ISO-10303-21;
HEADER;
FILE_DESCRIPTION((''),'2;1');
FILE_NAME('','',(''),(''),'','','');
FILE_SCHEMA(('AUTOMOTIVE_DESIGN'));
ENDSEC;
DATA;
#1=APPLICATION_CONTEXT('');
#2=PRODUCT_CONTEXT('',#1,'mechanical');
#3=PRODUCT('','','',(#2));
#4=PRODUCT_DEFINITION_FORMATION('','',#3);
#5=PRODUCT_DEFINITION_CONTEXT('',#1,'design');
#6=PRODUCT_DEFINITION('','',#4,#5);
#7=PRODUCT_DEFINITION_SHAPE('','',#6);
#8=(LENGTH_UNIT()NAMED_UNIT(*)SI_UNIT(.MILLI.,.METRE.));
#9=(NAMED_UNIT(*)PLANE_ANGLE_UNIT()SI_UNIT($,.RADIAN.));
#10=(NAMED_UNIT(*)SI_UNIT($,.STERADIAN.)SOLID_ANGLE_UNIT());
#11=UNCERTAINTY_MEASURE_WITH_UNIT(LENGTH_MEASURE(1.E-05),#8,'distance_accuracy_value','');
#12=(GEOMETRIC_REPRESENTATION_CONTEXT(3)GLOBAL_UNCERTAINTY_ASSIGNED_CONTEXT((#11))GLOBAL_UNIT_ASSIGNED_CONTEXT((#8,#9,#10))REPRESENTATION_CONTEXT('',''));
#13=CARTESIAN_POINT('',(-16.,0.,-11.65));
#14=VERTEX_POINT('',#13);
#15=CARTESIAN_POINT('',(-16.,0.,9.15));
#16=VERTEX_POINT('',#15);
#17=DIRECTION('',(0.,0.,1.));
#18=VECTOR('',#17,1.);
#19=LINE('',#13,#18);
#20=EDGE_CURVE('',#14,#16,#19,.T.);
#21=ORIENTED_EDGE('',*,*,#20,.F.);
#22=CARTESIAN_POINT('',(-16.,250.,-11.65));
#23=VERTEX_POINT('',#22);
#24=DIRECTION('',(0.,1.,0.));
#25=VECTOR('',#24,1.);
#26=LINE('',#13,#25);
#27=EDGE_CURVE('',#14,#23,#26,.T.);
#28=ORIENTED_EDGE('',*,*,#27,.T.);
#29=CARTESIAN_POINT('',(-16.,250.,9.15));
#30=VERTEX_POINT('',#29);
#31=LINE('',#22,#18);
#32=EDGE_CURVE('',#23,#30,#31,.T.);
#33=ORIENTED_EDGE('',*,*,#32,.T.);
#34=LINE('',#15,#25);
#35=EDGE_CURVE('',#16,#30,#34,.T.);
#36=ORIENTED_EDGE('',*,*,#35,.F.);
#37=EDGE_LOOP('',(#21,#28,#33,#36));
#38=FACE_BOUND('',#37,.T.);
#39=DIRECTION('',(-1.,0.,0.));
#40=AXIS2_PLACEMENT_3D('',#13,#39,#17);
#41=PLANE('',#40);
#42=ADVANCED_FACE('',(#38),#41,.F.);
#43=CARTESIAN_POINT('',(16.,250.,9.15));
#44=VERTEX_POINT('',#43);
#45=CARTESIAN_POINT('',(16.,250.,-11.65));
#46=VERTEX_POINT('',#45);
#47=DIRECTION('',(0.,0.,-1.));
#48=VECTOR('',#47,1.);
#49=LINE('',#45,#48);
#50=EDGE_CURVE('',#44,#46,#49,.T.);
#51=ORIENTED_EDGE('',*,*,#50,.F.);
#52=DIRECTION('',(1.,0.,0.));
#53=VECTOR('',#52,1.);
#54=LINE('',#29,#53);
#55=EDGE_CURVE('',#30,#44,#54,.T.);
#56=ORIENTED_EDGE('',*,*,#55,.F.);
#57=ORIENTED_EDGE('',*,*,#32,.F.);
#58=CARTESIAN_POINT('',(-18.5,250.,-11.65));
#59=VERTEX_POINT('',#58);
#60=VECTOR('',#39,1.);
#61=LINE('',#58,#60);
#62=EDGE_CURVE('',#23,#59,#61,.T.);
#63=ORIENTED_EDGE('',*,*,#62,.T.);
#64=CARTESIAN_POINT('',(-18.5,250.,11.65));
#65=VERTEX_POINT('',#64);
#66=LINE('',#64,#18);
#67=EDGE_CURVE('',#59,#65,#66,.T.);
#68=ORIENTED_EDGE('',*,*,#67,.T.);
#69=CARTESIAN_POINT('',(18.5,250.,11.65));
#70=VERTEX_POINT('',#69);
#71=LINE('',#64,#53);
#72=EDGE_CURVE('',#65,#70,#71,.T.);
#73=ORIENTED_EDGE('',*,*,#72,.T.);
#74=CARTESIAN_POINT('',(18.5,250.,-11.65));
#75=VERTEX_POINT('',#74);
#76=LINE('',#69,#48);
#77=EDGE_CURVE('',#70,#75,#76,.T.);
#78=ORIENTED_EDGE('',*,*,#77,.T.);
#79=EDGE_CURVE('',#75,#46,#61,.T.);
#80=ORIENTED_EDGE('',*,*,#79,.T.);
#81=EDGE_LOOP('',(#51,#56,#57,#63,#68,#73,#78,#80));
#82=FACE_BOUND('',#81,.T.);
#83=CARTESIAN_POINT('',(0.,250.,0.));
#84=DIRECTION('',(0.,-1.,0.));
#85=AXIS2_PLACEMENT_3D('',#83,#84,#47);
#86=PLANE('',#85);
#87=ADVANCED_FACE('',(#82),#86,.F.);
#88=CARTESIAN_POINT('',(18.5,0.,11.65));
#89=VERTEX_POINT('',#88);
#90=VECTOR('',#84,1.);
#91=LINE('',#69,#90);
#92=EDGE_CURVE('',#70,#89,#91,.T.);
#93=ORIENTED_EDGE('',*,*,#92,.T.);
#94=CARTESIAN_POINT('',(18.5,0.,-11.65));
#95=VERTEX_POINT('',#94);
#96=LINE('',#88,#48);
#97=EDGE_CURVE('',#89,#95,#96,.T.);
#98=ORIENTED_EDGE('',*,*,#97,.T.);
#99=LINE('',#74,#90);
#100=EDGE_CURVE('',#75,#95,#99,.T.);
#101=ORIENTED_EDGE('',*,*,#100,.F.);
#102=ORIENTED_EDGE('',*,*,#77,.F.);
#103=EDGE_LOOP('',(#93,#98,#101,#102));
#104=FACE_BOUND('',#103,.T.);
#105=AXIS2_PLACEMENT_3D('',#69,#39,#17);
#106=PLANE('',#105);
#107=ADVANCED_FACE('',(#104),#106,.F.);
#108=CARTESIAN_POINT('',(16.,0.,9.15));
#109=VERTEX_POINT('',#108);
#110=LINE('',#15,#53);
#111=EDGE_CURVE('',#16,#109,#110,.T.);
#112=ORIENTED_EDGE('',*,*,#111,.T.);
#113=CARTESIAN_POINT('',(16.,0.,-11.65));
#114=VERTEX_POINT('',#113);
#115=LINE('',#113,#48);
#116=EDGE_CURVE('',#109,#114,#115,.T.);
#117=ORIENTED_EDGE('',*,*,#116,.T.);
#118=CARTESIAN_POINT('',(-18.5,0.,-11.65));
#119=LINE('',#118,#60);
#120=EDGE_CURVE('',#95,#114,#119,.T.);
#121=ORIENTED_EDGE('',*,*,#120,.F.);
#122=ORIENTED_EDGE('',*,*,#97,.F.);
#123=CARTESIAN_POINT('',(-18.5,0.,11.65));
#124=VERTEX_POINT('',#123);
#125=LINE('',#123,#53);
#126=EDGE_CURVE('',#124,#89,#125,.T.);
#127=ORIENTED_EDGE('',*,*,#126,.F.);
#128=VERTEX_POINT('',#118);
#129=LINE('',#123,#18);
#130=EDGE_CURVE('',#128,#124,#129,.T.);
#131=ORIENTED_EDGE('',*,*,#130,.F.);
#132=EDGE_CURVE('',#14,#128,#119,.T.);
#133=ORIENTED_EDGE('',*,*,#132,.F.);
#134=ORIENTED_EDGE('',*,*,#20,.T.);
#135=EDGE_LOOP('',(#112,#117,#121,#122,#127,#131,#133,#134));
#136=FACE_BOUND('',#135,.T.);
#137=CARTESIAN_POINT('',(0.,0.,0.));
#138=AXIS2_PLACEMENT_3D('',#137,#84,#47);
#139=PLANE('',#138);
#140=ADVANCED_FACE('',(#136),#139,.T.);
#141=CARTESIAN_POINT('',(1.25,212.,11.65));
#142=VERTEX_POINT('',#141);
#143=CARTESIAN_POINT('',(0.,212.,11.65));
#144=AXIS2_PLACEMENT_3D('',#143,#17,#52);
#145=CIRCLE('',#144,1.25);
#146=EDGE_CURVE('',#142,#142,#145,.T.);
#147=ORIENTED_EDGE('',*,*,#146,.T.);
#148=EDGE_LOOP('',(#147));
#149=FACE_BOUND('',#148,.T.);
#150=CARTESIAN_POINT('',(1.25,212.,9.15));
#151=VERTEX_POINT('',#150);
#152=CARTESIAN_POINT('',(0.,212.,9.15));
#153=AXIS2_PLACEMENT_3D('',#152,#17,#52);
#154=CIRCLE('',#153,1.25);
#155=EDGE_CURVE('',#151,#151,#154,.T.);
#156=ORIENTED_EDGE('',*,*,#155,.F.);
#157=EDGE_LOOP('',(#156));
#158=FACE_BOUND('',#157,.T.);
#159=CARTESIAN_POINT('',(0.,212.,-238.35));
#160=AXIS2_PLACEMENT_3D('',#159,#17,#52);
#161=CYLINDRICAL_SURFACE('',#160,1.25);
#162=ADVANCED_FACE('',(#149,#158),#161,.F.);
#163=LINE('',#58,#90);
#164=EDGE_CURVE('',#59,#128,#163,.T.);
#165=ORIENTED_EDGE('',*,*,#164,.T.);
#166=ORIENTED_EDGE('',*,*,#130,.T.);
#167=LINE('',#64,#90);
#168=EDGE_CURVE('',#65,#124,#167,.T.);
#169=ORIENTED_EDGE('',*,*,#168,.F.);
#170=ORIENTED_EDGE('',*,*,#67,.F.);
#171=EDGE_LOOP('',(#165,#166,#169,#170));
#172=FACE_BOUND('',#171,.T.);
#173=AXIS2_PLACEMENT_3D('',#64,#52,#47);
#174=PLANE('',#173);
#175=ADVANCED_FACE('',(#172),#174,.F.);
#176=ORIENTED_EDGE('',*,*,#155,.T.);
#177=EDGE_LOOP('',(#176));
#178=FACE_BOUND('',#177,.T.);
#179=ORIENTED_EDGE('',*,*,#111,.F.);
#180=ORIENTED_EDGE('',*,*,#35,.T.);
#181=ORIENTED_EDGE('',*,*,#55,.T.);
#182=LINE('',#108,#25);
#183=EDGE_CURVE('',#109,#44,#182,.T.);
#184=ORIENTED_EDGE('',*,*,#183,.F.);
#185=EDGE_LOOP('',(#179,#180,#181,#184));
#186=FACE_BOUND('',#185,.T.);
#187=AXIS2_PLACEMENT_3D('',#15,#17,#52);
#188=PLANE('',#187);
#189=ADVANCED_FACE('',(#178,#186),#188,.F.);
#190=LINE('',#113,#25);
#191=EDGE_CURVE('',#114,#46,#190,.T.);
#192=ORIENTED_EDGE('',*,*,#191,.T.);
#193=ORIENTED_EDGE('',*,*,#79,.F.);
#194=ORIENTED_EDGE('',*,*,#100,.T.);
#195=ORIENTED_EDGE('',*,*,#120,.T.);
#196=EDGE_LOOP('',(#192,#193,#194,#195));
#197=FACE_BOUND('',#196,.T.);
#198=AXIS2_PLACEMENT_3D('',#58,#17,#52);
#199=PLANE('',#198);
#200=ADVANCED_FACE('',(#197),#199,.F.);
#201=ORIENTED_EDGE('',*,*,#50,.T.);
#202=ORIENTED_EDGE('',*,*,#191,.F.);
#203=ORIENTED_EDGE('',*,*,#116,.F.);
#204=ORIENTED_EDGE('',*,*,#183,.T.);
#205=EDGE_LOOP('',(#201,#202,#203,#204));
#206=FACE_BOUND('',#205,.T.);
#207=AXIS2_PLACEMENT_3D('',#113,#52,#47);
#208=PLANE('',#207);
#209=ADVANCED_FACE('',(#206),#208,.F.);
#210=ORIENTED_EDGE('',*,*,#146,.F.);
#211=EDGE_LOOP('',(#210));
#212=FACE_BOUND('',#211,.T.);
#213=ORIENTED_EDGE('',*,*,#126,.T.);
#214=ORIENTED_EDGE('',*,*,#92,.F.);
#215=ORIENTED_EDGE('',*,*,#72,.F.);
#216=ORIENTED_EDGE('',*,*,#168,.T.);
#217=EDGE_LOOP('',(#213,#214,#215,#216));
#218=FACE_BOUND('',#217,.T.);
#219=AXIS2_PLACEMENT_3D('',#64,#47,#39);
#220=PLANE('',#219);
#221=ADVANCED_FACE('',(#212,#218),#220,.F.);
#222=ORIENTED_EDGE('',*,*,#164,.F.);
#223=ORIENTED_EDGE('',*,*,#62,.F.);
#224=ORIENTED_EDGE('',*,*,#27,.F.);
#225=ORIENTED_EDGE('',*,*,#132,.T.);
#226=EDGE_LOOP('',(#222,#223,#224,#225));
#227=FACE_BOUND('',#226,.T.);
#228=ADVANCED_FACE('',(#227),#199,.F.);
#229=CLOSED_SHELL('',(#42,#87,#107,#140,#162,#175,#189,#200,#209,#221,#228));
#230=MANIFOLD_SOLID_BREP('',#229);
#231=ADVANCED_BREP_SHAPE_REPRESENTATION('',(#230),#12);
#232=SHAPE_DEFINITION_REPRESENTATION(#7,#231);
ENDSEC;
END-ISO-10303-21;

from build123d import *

# Parameters (mm, degrees)
CROQUIS1_W              = 37
CROQUIS1_H              = 23.3
SALIENTE_EXTRUIR1_DEPTH = 250
CROQUIS2_W              = 32
CROQUIS2_H              = 20.8
CORTAR_EXTRUIR1_DEPTH   = 250
CROQUIS3_R              = 1.25
CORTAR_EXTRUIR2_DEPTH   = 250


with BuildPart() as part:
    # Croquis1 → Saliente-Extruir1 (new body)
    with BuildSketch(Plane(origin=(0, 0, 0), x_dir=(1, 0, 0), z_dir=(0, 1, 0))):
        Rectangle(CROQUIS1_W, CROQUIS1_H)
    extrude(amount=SALIENTE_EXTRUIR1_DEPTH)

    # Croquis2 → Cortar-Extruir1 (cut)
    with BuildSketch(Plane(origin=(0, 250, 0), x_dir=(1, 0, 0), z_dir=(0, 1, 0))):
        with Locations((0, 1.25)):
            Rectangle(CROQUIS2_W, CROQUIS2_H)
    extrude(amount=-CORTAR_EXTRUIR1_DEPTH, mode=Mode.SUBTRACT)

    # Croquis3 → Cortar-Extruir2 (cut)
    with BuildSketch(Plane.XY.offset(11.65)):
        with Locations((0, 212)):
            Circle(CROQUIS3_R)
    extrude(amount=-CORTAR_EXTRUIR2_DEPTH, mode=Mode.SUBTRACT)


solid = part.part
